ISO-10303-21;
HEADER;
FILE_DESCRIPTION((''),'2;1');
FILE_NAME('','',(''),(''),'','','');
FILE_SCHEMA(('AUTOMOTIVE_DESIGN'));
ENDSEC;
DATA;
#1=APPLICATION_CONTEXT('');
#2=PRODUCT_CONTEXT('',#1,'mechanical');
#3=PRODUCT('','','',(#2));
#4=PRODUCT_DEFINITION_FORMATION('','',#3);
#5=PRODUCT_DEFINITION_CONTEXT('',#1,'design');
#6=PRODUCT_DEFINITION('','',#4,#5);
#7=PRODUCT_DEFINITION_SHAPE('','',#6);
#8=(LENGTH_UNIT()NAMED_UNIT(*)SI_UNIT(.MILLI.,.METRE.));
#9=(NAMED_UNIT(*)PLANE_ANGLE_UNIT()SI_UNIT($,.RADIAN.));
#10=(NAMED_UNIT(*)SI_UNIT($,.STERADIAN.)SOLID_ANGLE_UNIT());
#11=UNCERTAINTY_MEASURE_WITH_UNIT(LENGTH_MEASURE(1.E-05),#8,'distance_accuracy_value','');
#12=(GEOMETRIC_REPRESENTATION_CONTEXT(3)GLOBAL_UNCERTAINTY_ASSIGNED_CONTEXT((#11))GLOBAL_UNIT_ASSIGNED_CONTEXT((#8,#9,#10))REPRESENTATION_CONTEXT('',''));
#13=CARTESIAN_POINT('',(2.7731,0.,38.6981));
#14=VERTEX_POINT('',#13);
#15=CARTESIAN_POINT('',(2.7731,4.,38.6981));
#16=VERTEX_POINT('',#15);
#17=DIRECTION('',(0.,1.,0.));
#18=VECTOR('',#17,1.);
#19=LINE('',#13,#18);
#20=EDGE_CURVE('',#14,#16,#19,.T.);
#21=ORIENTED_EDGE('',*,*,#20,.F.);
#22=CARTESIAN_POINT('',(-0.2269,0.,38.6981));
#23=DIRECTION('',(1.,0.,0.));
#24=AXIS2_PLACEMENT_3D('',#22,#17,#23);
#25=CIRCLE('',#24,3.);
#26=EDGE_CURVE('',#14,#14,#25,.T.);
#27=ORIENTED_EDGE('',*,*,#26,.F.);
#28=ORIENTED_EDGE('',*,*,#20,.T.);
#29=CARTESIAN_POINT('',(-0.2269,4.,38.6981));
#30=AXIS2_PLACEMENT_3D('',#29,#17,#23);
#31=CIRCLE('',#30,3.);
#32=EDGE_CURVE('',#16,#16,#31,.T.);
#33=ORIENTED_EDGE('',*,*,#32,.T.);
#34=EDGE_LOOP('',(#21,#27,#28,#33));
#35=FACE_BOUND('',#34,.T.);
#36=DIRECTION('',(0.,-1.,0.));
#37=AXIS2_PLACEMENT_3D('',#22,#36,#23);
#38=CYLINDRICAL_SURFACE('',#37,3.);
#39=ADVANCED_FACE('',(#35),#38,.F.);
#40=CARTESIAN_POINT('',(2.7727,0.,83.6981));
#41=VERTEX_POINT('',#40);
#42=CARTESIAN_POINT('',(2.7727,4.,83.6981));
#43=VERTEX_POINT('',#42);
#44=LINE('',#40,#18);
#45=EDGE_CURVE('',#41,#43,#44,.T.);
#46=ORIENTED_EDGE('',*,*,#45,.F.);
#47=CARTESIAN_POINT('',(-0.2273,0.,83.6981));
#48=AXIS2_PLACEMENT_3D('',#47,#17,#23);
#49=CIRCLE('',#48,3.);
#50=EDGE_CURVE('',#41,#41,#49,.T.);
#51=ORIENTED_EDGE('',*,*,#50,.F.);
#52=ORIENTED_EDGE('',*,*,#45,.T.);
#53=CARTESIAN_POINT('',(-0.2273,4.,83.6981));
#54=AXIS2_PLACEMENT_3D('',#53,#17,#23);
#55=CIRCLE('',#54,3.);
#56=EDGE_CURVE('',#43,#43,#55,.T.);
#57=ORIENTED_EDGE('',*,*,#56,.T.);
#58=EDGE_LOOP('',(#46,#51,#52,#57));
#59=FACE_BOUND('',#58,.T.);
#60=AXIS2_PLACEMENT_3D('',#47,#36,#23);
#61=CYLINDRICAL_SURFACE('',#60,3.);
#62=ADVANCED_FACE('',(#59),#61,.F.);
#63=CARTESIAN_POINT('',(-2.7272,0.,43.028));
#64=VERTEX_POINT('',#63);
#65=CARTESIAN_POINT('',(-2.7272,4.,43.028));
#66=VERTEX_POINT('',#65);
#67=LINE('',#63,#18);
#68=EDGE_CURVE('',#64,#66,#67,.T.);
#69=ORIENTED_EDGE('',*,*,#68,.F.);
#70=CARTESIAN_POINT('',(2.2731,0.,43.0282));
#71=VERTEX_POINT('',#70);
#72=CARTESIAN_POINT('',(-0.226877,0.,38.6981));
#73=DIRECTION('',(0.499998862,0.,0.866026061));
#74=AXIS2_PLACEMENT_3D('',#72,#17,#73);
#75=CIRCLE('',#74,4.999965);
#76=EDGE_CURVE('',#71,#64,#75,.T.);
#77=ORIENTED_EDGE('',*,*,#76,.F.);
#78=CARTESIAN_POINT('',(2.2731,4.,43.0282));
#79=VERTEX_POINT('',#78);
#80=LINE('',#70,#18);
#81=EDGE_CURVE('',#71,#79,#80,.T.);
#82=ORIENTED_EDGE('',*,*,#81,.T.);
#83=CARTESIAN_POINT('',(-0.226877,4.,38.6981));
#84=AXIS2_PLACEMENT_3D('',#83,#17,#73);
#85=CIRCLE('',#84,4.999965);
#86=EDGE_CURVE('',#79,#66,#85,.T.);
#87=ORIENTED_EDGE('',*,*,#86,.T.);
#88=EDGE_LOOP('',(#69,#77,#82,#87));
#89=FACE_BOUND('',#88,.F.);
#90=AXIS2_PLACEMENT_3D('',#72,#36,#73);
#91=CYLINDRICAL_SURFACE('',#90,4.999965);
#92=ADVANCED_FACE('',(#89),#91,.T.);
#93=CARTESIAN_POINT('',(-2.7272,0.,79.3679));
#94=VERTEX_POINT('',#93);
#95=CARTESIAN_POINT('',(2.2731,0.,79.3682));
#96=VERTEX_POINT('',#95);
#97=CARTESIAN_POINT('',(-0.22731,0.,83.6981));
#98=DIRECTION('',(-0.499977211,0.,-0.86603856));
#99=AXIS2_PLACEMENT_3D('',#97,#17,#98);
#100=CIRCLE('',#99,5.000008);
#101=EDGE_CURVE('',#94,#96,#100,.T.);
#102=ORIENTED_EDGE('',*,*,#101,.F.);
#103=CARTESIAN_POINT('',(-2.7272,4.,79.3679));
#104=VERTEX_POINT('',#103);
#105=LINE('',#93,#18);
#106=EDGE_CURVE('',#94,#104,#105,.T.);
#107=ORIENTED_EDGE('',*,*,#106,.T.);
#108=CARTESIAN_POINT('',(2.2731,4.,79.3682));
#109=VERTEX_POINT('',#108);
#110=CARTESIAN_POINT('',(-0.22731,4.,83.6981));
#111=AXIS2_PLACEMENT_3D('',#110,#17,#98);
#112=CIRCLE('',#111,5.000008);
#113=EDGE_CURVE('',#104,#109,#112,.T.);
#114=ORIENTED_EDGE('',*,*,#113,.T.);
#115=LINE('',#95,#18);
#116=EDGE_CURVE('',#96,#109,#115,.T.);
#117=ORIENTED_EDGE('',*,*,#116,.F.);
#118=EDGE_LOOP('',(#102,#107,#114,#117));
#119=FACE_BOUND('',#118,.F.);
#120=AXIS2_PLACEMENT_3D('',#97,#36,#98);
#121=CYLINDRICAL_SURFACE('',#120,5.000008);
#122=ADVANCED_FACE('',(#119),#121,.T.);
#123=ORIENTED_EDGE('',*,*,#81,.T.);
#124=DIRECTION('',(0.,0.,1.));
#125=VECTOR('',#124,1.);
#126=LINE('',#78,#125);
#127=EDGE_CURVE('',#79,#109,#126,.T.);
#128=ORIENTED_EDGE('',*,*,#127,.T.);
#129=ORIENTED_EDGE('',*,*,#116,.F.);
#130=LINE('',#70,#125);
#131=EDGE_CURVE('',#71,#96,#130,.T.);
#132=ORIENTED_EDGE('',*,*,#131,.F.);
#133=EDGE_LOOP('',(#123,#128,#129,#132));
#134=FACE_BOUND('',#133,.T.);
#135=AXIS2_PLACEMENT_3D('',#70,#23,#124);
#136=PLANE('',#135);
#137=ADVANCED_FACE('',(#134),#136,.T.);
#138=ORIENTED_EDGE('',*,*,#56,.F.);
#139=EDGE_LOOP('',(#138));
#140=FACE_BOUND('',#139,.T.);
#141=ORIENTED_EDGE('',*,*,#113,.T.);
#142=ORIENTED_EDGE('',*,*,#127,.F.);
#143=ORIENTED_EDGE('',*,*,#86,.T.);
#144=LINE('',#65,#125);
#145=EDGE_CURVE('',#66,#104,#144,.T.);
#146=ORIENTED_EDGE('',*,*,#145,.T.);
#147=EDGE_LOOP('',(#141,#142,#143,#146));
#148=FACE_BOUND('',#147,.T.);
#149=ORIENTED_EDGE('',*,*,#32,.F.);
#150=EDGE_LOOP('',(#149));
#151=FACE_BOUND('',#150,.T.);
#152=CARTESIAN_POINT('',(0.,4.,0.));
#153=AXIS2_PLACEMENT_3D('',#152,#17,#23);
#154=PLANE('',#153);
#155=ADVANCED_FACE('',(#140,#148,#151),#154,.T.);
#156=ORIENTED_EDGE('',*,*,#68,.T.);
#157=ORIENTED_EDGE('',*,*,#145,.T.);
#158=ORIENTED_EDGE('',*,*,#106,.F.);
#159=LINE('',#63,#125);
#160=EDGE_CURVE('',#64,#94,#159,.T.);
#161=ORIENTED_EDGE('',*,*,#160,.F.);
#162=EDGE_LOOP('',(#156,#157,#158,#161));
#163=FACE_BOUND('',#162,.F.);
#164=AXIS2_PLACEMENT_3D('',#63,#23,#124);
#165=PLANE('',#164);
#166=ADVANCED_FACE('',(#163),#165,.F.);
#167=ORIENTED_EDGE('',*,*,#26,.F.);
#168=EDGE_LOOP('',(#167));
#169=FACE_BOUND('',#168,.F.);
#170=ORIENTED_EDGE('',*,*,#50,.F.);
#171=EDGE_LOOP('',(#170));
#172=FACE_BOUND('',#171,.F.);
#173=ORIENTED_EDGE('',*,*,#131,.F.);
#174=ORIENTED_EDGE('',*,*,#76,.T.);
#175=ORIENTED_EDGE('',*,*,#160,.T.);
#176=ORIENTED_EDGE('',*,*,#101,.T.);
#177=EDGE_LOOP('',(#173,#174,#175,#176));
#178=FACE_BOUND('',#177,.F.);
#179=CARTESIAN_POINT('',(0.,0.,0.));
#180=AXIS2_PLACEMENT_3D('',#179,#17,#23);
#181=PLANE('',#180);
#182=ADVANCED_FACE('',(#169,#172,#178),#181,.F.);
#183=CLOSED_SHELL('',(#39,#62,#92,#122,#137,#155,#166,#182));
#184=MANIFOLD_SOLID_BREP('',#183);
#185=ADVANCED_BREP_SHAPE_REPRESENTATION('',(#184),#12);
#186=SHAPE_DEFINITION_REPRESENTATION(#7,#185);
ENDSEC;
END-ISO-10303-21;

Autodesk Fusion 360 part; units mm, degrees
sketch "Sketch1" plane through (0, 0, 0) normal (0, 0, 1) x (1, 0, 0)
sketch "Sketch2" plane through (0, 0, 0) normal (0, 1, 0) x (1, 0, 0)
  circle A0 centre (-0.2273, -83.6981) radius 3
  circle A1 centre (-0.2269, -38.6981) radius 3
  line L0 (-2.7272, -43.028) -> (-2.7272, -79.3679)
  line L1 (2.2731, -43.0282) -> (2.2731, -79.3682)
  arc A2 (-2.7272, -79.3679) -> (2.2731, -79.3682) centre (-0.2273, -83.6981) ccw
  arc A3 (2.2731, -43.0282) -> (-2.7272, -43.028) centre (-0.2269, -38.6981) ccw
  point P0 (-0.2269, -38.6981)
  dimension "d1" = 6
  dimension "d2" = 6
  dimension "d3" = 10
  dimension "d4" = 10
  dimension "d5" = 45
  dimension "d7" = 36.34
extrude "Extrude1" add sketch "Sketch2" along normal blind 4
